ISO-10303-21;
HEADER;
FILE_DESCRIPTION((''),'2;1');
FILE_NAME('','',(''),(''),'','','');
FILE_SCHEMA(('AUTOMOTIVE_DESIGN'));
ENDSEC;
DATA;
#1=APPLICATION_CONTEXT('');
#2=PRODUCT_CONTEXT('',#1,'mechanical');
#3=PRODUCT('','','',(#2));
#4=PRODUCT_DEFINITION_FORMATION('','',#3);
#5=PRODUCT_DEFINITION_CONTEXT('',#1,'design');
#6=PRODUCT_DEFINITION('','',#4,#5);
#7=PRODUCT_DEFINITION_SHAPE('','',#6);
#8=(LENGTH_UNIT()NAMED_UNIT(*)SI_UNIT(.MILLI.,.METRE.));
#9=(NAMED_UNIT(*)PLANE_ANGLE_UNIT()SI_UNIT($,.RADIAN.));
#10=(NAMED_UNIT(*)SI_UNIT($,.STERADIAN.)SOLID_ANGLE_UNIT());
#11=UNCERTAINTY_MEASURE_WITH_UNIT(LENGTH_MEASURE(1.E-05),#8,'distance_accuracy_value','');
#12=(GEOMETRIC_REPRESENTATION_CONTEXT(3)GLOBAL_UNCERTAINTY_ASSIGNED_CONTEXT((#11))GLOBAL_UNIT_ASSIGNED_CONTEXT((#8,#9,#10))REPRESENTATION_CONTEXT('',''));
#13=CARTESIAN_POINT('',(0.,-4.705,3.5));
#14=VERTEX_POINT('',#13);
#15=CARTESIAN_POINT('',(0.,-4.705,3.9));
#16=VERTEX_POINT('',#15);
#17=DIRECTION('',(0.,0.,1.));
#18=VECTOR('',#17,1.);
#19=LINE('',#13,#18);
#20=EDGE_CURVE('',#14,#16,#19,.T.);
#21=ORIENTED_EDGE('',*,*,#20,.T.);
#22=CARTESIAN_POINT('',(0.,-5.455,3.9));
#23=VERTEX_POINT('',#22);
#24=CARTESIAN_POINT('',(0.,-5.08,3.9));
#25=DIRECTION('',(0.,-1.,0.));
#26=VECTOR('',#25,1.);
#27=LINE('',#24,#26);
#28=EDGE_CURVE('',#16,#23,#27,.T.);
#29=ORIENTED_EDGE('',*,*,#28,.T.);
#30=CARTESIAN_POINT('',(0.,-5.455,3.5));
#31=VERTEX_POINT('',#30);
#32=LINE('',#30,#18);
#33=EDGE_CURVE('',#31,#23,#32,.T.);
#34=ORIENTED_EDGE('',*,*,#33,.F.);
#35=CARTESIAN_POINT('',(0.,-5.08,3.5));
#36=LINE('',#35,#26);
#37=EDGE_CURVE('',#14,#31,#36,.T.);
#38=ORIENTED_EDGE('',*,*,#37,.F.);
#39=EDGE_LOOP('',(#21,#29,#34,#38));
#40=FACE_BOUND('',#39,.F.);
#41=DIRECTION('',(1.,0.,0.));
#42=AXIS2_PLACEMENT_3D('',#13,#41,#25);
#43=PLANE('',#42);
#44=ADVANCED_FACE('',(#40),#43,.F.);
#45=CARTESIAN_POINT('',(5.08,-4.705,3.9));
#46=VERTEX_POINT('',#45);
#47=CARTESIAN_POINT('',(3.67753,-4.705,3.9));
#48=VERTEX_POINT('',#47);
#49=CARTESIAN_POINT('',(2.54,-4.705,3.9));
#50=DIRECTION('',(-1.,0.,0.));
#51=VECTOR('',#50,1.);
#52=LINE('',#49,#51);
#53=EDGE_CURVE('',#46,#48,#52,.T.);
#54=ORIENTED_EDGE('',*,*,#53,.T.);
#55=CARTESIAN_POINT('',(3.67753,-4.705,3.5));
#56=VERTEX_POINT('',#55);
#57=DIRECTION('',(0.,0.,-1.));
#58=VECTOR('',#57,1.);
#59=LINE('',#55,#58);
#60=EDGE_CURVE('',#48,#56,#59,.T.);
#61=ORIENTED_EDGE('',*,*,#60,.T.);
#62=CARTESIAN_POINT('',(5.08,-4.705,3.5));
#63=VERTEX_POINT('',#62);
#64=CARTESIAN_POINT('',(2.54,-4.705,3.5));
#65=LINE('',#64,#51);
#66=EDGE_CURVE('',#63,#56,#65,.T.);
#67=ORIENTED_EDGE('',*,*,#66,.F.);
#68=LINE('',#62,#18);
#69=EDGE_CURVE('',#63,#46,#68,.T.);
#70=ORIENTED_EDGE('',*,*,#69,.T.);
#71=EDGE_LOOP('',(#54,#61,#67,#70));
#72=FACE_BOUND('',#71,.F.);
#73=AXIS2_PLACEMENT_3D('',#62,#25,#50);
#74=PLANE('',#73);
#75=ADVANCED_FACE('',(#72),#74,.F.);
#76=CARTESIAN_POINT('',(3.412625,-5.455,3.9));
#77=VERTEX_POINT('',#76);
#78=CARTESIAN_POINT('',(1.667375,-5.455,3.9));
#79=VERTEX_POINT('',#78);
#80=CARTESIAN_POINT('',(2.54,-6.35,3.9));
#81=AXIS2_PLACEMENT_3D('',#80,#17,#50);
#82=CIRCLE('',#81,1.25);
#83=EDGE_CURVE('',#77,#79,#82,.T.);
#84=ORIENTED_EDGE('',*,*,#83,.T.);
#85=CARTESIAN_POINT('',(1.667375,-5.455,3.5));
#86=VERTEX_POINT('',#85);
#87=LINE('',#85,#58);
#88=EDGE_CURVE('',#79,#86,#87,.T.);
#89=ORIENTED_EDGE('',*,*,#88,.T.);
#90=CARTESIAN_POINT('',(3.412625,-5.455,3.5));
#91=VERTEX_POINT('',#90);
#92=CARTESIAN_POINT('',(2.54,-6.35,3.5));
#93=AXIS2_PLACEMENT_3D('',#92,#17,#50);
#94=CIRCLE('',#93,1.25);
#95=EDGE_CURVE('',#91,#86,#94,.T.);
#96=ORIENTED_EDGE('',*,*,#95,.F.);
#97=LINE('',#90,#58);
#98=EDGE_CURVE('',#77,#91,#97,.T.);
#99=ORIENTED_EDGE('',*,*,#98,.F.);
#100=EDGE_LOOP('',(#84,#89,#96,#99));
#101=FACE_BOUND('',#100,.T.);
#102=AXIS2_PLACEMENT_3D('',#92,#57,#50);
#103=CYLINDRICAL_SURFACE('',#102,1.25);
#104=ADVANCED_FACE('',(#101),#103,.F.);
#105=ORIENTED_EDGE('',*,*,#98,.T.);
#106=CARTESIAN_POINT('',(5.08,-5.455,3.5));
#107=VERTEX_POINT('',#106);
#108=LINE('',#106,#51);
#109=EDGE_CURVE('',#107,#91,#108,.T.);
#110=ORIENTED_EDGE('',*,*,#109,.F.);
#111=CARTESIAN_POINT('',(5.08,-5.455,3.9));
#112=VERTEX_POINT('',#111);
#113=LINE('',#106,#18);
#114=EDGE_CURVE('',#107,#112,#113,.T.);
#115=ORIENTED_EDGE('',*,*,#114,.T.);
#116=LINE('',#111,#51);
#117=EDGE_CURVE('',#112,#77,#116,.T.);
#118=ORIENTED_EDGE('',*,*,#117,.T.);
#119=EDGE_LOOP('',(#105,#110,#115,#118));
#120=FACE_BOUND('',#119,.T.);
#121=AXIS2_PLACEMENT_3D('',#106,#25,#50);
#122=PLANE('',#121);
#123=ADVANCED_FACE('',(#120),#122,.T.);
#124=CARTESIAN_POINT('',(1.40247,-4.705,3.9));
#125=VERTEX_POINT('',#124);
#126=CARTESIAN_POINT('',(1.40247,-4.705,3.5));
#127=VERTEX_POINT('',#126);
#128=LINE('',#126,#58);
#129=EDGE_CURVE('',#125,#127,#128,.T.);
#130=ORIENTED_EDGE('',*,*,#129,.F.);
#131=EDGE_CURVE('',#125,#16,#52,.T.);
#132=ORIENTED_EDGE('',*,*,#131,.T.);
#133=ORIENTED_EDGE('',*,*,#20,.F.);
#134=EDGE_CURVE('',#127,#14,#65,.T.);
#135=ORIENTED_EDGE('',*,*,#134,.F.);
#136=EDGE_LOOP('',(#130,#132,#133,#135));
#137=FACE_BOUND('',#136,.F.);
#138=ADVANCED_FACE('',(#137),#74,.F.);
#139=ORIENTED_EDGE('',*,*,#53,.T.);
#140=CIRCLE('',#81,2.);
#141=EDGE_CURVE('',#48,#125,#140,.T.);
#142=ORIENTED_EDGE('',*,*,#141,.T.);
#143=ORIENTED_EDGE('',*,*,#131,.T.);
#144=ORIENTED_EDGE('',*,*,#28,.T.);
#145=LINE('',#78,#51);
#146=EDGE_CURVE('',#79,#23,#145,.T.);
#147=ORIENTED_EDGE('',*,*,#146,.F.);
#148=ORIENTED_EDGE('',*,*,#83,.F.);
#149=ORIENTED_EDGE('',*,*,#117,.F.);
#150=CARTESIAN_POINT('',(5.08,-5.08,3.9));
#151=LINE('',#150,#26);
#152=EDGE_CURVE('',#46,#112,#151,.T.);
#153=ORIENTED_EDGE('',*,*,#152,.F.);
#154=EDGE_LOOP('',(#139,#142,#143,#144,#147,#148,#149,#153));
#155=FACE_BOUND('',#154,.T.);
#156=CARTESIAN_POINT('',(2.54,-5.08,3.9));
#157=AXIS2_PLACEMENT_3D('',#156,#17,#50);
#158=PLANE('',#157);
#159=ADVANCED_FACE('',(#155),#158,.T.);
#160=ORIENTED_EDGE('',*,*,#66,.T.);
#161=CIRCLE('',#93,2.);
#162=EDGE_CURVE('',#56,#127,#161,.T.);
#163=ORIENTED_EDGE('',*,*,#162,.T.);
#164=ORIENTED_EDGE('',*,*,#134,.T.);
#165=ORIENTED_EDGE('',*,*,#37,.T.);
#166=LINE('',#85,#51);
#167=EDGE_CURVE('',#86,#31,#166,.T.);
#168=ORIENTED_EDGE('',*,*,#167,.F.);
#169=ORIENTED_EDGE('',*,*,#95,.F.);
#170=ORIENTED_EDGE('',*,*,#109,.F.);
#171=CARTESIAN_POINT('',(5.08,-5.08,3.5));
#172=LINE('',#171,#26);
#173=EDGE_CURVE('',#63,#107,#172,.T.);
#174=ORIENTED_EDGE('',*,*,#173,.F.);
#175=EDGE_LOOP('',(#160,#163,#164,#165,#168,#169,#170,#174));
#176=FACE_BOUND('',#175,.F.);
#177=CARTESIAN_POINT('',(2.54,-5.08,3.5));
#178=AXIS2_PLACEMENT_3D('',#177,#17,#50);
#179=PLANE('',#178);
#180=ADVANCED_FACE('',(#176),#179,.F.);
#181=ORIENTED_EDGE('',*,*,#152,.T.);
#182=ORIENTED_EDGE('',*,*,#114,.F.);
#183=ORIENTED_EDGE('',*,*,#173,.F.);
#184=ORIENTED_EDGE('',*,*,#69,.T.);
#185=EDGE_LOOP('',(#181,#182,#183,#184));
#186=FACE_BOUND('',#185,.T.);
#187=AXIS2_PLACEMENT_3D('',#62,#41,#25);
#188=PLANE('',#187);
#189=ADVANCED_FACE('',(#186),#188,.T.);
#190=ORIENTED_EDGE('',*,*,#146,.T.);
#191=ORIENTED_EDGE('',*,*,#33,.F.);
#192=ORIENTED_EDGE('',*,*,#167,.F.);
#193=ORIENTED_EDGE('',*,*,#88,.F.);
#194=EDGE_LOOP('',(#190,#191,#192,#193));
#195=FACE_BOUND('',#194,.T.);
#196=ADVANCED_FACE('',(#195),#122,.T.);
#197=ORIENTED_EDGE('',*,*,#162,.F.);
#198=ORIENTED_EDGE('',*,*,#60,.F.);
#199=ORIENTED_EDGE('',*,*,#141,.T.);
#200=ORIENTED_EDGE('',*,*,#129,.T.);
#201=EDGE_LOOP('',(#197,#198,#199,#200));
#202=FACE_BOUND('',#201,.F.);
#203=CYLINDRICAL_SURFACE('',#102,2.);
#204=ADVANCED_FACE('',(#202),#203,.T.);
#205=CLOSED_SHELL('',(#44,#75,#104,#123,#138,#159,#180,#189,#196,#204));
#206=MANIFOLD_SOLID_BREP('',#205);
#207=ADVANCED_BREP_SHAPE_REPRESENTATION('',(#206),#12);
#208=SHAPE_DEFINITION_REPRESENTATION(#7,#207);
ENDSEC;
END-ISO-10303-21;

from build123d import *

# Parameters (mm, degrees)
BOX007_W                  = 6
BOX007_H                  = 4
BOX007_DEPTH              = 0.4
CYLINDER006_R             = 1.25
CYLINDER006_DEPTH         = 0.4
CYLINDER005_R             = 2
CYLINDER005_DEPTH         = 0.4
BOX006_W                  = 5.08
BOX006_H                  = 0.75
BOX006_DEPTH              = 0.4
FUSION010_PLACEMENT_ANGLE = 180


with BuildPart() as cut_cube002:
    # Box007 → Box007 (new body)
    with BuildSketch(Plane(origin=(-3, 2.915, 0), x_dir=(1, 0, 0), z_dir=(0, 0, 1))):
        with Locations((3, 2)):
            Rectangle(BOX007_W, BOX007_H)
    extrude(amount=BOX007_DEPTH)


with BuildPart() as c_cut001:
    # Cylinder006 → Cylinder006 (new body)
    with BuildSketch(Plane(origin=(0, 3.81, 0), x_dir=(1, 0, 0), z_dir=(0, 0, 1))):
        Circle(CYLINDER006_R)
    extrude(amount=CYLINDER006_DEPTH)


with BuildPart() as cut009:
    # Cylinder005 → Cylinder005 (new body)
    with BuildSketch(Plane(origin=(0, 3.81, 0), x_dir=(1, 0, 0), z_dir=(0, 0, 1))):
        Circle(CYLINDER005_R)
    extrude(amount=CYLINDER005_DEPTH)

    # Cut008: cut C_cut001
    add(c_cut001.part, mode=Mode.SUBTRACT)

    # Cut009: cut cut_cube002
    add(cut_cube002.part, mode=Mode.SUBTRACT)


with BuildPart() as a_chip003:
    # Box006 → Box006 (new body)
    with BuildSketch(Plane(origin=(-2.54, 2.165, 0), x_dir=(1, 0, 0), z_dir=(0, 0, 1))):
        with Locations((2.54, 0.375)):
            Rectangle(BOX006_W, BOX006_H)
    extrude(amount=BOX006_DEPTH)

    # Cut007: cut C_cut001
    add(c_cut001.part, mode=Mode.SUBTRACT)

    # Fusion010: union Cut009
    add(cut009.part)


with BuildPart() as a_chip003_1:
    # Fusion010 placement: moved
    add(a_chip003.part.moved(Location((2.54, -2.54, 3.5))).rotate(Axis((2.54, -2.54, 3.5), (0, 0, 1)), FUSION010_PLACEMENT_ANGLE))


solid = a_chip003_1.part
